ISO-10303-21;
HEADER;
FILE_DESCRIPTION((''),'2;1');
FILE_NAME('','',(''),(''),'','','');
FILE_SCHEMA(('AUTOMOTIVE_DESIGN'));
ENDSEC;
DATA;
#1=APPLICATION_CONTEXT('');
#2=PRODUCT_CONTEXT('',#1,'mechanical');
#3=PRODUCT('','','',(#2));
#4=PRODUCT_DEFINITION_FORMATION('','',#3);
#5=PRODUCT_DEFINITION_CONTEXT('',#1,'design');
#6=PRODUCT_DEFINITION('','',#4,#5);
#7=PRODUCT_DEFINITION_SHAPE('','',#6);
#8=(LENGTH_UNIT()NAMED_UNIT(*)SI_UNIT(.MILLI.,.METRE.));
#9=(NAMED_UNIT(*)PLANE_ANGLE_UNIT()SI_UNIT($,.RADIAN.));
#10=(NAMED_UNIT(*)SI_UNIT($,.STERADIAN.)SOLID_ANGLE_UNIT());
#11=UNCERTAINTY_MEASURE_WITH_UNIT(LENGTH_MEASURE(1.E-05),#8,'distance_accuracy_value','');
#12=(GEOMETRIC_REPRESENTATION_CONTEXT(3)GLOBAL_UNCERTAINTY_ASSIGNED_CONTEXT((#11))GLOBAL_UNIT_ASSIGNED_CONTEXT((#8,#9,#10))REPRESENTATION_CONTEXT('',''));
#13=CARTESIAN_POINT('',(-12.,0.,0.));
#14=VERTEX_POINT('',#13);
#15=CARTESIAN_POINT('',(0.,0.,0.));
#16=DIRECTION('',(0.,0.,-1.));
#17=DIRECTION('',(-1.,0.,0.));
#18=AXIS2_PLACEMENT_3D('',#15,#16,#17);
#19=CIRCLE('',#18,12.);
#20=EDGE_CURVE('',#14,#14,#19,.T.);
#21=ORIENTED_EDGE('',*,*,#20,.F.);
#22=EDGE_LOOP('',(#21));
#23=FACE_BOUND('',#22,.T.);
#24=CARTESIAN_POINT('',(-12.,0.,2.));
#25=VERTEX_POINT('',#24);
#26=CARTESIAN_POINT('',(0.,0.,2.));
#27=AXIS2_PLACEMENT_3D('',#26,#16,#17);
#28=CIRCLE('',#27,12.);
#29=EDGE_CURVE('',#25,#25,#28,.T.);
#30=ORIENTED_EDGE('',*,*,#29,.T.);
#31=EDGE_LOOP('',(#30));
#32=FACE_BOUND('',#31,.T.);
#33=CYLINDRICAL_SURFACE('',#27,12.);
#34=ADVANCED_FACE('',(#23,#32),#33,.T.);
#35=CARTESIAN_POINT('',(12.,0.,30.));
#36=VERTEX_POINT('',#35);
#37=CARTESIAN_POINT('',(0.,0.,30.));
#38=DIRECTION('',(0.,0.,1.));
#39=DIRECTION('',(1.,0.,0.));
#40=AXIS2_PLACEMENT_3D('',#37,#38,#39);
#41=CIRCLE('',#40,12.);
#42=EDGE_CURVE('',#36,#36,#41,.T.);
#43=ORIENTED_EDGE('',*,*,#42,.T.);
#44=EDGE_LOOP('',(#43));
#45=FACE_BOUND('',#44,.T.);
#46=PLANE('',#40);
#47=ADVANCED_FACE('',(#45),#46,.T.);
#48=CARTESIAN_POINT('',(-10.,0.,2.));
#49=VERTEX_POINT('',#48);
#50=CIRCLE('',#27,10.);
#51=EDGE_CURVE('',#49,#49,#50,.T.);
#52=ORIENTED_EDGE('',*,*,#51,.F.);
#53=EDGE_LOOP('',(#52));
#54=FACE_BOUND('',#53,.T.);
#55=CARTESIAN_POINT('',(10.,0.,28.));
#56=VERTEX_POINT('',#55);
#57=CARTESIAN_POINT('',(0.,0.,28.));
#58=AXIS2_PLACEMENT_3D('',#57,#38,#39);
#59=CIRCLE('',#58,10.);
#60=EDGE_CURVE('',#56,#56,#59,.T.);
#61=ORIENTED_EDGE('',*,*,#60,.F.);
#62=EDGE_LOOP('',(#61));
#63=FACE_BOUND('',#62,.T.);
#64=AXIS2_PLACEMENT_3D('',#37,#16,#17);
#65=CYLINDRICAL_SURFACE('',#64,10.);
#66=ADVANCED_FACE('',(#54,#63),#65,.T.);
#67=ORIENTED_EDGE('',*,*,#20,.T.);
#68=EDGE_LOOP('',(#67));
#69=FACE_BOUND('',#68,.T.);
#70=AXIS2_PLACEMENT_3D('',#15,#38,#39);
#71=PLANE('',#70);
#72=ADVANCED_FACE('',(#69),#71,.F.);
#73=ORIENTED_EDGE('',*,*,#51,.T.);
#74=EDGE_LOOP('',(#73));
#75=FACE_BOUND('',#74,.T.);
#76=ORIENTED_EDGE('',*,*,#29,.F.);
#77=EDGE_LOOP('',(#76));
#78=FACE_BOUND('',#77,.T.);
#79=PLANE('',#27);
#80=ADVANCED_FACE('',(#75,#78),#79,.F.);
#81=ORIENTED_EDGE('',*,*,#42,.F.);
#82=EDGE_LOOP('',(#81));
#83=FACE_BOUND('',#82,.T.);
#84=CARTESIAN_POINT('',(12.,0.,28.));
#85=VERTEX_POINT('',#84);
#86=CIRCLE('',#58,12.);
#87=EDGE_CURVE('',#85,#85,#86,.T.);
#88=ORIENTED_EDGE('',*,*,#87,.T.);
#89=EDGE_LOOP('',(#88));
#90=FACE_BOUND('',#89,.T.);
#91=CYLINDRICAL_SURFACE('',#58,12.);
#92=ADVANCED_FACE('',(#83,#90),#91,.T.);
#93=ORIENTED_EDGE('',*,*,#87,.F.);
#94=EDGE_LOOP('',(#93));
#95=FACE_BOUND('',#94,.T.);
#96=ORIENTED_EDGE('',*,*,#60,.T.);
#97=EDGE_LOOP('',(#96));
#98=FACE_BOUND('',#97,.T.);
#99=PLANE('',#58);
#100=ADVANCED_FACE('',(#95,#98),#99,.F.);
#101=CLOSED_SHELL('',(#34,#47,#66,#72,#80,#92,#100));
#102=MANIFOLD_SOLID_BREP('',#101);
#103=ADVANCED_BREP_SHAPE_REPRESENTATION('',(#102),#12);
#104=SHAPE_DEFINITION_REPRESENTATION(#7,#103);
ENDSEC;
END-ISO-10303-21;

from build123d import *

# Parameters (mm, degrees)
SKETCH_1_R        = 10
EXTRUDE_1_DEPTH   = 30
EXTRUDE_START     = -2
SKETCH_2_R        = 12
SKETCH_2_R_2      = 10
EXTRUDE_1_2_DEPTH = 2
SKETCH_3_R        = 12
SKETCH_3_R_2      = 10
EXTRUDE_2_DEPTH   = 2


with BuildPart() as part:
    # 草图1 → Extrude 1 (new body)
    with BuildSketch(Plane.XY):
        Circle(SKETCH_1_R)
    extrude(amount=EXTRUDE_1_DEPTH)

    # 草图2 → Extrude 1 2 (add)
    with BuildSketch(Plane.XY.offset(30).offset(EXTRUDE_START)):
        Circle(SKETCH_2_R)
        Circle(SKETCH_2_R_2, mode=Mode.SUBTRACT)
    extrude(amount=EXTRUDE_1_2_DEPTH)

    # 草图3 → 拉伸-薄壁2 (add)
    with BuildSketch(Plane(origin=(0, 0, 0), x_dir=(-1, 0, 0), z_dir=(0, 0, -1))):
        Circle(SKETCH_3_R)
        Circle(SKETCH_3_R_2, mode=Mode.SUBTRACT)
    extrude(amount=-EXTRUDE_2_DEPTH)


solid = part.part
